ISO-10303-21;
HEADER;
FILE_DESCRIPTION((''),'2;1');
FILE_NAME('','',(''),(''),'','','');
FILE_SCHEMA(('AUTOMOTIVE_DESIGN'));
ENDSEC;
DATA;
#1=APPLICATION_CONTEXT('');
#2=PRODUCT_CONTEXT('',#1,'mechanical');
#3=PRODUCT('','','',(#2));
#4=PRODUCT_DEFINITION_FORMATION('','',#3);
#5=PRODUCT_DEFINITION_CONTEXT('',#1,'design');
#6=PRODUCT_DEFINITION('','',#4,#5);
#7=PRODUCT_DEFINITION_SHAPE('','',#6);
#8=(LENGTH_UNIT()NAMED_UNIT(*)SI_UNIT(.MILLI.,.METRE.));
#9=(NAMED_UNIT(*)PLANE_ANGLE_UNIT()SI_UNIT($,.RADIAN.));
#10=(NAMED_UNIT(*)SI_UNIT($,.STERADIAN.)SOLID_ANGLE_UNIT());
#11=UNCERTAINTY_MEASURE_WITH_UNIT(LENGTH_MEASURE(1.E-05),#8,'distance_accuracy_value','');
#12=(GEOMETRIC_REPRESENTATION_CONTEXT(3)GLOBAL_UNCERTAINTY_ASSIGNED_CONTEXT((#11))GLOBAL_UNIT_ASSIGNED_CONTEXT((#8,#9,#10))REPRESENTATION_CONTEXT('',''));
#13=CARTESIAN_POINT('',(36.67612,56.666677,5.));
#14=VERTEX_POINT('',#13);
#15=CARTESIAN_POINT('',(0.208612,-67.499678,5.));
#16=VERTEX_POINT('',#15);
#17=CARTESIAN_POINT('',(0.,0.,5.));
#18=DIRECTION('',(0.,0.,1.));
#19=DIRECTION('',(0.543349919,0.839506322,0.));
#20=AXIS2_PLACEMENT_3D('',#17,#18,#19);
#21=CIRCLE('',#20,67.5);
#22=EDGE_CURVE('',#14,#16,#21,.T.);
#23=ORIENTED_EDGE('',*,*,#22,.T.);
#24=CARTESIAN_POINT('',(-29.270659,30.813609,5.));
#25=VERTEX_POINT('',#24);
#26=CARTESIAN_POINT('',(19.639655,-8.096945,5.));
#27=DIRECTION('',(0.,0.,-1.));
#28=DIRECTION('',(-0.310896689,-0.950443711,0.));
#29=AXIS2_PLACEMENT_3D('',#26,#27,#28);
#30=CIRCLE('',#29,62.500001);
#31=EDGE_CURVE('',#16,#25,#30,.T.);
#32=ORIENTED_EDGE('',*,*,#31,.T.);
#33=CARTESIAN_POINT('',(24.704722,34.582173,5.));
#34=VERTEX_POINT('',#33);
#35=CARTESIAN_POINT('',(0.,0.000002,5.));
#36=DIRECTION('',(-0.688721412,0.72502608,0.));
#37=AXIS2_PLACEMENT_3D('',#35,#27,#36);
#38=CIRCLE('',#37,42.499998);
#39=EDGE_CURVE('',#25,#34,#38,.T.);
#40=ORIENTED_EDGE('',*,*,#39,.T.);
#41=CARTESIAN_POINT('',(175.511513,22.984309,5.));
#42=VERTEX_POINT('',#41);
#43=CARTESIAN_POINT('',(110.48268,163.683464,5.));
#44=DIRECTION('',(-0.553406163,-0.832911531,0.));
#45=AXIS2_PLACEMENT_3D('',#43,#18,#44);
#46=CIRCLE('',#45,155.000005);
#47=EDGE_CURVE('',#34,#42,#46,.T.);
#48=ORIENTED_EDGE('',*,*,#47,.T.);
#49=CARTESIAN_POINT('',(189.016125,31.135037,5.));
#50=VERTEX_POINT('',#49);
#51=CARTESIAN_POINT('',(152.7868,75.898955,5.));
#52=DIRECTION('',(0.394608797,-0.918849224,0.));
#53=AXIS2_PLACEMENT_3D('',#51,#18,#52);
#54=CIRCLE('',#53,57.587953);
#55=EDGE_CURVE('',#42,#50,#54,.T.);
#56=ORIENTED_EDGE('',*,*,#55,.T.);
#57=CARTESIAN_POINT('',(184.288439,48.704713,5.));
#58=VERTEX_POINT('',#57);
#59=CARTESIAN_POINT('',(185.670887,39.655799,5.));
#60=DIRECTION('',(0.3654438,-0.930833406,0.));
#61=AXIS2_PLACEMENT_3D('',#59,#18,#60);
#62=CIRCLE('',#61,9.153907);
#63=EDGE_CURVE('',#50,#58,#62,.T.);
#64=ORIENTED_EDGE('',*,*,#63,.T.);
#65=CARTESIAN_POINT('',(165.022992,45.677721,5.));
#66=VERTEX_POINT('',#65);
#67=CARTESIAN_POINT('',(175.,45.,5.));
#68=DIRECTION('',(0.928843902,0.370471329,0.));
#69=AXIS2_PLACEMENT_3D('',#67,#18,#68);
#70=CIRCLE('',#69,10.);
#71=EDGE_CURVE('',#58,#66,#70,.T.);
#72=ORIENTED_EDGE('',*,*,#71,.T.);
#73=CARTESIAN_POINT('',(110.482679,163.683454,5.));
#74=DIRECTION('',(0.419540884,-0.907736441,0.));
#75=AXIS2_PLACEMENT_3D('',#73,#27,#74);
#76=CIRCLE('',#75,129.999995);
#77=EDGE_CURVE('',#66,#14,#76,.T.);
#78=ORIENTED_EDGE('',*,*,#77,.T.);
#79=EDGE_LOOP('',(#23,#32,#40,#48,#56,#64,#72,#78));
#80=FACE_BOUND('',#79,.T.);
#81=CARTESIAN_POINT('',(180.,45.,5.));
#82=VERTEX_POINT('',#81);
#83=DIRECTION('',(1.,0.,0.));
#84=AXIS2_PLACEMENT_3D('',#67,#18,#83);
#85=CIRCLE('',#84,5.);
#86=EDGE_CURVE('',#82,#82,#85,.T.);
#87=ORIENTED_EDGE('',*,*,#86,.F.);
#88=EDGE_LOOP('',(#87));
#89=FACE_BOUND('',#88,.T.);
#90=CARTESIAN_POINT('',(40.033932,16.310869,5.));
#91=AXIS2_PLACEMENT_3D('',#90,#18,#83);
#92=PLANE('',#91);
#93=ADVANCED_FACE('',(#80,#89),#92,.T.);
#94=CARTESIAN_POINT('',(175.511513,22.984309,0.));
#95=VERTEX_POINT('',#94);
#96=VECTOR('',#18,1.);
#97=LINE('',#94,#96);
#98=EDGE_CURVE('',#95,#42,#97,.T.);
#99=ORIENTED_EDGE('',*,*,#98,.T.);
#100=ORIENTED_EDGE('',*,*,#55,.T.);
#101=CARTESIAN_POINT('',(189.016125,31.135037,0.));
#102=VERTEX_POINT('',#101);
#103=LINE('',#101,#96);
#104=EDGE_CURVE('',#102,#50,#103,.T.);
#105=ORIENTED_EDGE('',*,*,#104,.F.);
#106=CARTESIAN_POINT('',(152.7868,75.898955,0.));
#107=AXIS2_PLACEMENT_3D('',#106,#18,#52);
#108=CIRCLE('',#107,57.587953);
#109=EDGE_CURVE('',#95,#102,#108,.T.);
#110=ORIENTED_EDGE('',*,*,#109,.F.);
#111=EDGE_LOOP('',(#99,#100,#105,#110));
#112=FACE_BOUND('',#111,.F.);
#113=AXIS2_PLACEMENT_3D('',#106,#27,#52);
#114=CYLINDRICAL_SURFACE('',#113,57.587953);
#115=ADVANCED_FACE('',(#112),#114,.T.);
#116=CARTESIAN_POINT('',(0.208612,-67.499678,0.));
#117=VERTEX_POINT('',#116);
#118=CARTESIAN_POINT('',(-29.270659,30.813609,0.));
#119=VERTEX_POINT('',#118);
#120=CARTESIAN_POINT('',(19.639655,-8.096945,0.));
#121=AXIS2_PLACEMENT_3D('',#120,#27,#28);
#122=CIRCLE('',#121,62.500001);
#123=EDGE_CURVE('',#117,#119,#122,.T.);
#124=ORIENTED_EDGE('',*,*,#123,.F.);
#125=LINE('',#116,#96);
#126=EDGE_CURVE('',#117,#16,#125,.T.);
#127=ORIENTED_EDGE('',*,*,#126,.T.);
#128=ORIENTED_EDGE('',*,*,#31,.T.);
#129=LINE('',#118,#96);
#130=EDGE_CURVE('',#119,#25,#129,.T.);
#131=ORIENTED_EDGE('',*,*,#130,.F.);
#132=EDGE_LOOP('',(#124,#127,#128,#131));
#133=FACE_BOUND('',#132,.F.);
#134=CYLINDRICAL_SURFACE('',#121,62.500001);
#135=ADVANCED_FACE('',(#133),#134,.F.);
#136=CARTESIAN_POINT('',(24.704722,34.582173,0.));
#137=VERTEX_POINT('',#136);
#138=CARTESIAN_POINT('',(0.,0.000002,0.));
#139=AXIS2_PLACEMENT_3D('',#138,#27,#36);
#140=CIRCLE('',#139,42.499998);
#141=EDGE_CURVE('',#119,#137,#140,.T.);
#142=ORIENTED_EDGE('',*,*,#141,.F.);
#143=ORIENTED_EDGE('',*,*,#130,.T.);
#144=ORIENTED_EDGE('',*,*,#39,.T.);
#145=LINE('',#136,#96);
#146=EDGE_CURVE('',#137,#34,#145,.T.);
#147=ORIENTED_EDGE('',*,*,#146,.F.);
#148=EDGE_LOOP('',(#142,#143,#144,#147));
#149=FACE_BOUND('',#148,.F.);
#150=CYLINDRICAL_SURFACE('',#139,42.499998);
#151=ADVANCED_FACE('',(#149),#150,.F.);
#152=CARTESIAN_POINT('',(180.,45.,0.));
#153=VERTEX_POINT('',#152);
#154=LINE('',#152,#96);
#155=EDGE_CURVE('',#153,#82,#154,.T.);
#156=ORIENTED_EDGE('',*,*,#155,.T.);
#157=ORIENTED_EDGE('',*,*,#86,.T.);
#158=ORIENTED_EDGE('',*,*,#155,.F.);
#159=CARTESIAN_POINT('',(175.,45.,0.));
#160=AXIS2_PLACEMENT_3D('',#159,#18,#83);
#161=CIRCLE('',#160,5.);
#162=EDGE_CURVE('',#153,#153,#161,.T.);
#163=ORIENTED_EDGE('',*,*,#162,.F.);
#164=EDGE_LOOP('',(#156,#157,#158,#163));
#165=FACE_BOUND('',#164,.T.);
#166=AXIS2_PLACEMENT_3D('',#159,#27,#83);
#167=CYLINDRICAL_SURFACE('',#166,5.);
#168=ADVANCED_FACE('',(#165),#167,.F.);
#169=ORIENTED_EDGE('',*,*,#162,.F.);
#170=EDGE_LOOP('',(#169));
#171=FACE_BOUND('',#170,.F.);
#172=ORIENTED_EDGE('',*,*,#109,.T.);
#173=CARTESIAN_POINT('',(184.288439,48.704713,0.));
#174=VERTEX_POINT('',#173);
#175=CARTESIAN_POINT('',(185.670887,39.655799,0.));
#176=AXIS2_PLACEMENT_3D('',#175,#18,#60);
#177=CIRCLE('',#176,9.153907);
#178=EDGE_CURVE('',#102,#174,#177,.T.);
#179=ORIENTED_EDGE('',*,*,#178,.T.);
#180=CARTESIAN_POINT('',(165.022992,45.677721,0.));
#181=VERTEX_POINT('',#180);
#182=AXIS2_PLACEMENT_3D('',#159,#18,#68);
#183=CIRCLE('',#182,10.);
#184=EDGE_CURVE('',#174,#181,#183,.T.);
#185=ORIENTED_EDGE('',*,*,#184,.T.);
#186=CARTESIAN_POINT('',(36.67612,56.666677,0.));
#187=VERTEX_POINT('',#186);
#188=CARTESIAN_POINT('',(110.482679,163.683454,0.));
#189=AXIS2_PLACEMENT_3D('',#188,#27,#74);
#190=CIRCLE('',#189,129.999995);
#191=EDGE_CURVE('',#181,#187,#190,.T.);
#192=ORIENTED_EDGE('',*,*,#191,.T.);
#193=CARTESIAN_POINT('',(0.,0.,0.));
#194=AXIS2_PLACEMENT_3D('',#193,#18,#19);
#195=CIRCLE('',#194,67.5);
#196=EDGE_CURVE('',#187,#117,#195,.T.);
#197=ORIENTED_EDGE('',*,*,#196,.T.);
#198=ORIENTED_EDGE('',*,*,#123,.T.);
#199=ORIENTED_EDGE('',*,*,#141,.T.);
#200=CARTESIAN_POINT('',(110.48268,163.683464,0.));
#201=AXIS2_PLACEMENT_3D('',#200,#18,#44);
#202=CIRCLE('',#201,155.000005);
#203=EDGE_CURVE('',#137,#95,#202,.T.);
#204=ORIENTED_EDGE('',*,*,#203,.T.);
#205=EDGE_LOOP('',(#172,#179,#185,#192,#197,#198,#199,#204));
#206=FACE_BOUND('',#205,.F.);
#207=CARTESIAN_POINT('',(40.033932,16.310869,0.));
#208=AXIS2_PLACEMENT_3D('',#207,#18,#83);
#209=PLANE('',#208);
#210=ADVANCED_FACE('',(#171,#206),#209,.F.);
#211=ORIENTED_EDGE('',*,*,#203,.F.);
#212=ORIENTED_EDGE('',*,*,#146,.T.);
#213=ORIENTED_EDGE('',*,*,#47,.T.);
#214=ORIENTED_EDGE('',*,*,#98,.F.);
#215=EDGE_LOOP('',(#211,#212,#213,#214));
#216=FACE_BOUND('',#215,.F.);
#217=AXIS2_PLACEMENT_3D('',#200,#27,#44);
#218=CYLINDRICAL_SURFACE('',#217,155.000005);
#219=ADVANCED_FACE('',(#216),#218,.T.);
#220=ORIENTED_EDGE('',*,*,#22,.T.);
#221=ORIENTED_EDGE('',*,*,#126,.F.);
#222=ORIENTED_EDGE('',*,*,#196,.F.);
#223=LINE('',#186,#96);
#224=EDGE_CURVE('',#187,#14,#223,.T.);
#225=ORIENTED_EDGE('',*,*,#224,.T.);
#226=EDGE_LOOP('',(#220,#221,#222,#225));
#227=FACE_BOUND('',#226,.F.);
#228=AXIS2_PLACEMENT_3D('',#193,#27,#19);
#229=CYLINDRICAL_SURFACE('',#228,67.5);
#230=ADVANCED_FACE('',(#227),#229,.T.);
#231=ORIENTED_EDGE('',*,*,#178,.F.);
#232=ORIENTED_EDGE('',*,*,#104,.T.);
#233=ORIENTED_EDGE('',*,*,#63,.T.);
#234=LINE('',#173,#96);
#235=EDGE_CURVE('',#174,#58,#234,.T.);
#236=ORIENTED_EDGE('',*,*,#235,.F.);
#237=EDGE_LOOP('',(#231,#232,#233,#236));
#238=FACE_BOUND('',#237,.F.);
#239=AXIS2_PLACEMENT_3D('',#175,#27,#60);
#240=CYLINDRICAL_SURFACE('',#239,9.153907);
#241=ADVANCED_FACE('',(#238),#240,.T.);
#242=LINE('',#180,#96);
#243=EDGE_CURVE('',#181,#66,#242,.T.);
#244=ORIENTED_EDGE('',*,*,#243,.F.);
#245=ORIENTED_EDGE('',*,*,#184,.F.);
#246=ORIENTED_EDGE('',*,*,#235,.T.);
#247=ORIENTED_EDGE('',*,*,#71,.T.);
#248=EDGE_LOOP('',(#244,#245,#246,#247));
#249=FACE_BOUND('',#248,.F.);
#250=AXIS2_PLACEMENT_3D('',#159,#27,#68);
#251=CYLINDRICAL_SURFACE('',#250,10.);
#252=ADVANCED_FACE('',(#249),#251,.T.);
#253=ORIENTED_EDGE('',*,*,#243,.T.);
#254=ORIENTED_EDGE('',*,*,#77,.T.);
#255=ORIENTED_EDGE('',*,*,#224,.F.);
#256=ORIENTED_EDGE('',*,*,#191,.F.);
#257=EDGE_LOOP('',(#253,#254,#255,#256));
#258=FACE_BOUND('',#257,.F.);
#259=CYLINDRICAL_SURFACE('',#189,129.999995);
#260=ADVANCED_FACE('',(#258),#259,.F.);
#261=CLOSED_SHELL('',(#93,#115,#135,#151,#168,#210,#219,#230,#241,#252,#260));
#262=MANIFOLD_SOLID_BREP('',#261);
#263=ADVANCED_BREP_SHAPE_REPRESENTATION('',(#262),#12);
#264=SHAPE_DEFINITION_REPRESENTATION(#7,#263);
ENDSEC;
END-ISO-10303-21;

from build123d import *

# Parameters (mm, degrees)
F0_R     = 5
F1_DEPTH = 5


with BuildPart() as f1:
    # F0 (on Top) → F1 (new body)
    with BuildSketch(Plane.XY):
        with BuildLine():
            ThreePointArc((165.022992, 45.677721), (99.392758, 34.157347), (36.67612, 56.666677))
            ThreePointArc((36.67612, 56.666677), (-64.76451, 19.021258), (0.208612, -67.499678))
            ThreePointArc((0.208612, -67.499678), (-40.226954, -26.047967), (-29.270659, 30.813609))
            ThreePointArc((-29.270659, 30.813609), (-2.960146, 42.396787), (24.704722, 34.582173))
            ThreePointArc((24.704722, 34.582173), (98.597431, 9.139806), (175.511513, 22.984309))
            ThreePointArc((175.511513, 22.984309), (182.544206, 26.59511), (189.016125, 31.135037))
            ThreePointArc((189.016125, 31.135037), (194.510373, 42.034346), (184.288439, 48.704713))
            ThreePointArc((184.288439, 48.704713), (173.447839, 54.878805), (165.022992, 45.677721))
        make_face()
        with Locations((175, 45)):
            Circle(F0_R, mode=Mode.SUBTRACT)
    extrude(amount=F1_DEPTH)


solid = f1.part
